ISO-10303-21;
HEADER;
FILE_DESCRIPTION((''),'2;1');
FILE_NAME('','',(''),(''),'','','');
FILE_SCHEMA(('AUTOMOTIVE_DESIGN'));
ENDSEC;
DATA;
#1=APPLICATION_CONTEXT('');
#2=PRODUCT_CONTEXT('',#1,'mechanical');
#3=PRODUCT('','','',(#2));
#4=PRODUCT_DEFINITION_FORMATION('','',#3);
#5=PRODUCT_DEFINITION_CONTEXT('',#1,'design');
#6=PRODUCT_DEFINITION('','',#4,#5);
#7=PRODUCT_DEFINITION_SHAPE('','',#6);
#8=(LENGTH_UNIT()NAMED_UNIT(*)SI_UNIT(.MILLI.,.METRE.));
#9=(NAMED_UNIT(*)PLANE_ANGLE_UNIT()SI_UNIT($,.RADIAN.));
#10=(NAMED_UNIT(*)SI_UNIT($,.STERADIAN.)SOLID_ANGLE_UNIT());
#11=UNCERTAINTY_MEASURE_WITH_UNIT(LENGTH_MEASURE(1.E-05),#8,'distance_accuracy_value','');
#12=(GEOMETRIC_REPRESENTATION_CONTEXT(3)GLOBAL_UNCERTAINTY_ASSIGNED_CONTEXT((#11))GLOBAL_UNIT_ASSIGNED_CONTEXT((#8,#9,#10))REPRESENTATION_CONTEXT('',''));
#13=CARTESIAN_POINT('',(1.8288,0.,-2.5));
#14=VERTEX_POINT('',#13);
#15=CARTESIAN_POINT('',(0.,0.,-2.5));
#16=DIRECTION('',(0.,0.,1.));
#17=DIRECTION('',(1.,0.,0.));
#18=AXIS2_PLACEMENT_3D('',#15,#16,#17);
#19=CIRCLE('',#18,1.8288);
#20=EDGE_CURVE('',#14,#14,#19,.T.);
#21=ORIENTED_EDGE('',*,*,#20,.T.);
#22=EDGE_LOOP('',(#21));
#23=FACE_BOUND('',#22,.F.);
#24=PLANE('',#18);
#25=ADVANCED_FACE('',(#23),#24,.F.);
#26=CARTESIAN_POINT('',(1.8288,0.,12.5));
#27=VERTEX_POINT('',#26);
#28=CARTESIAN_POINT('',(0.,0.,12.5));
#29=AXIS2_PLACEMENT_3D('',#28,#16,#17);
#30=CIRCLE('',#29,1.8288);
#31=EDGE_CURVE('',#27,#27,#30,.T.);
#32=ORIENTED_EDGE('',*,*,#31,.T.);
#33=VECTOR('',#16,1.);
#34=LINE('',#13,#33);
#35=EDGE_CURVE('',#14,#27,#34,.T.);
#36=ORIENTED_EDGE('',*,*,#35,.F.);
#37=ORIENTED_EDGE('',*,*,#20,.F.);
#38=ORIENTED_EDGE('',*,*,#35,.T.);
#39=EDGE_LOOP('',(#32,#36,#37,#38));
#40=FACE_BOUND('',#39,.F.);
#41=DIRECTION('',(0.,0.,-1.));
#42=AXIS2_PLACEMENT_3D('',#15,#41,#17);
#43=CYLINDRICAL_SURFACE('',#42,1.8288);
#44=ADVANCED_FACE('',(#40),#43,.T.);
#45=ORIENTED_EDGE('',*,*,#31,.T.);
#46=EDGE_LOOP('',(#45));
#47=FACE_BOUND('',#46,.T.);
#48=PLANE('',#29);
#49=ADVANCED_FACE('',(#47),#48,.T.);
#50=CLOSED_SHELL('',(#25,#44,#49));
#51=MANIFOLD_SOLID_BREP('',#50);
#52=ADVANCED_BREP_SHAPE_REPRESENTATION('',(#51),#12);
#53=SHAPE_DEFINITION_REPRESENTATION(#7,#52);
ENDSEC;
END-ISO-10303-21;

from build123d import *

# Parameters (mm, degrees)
CYLINDER_R     = 1.8288
CYLINDER_DEPTH = 15


with BuildPart() as part:
    # Cylinder → Cylinder (new body)
    with BuildSketch(Plane.XY.offset(-2.5)):
        Circle(CYLINDER_R)
    extrude(amount=CYLINDER_DEPTH)


solid = part.part
